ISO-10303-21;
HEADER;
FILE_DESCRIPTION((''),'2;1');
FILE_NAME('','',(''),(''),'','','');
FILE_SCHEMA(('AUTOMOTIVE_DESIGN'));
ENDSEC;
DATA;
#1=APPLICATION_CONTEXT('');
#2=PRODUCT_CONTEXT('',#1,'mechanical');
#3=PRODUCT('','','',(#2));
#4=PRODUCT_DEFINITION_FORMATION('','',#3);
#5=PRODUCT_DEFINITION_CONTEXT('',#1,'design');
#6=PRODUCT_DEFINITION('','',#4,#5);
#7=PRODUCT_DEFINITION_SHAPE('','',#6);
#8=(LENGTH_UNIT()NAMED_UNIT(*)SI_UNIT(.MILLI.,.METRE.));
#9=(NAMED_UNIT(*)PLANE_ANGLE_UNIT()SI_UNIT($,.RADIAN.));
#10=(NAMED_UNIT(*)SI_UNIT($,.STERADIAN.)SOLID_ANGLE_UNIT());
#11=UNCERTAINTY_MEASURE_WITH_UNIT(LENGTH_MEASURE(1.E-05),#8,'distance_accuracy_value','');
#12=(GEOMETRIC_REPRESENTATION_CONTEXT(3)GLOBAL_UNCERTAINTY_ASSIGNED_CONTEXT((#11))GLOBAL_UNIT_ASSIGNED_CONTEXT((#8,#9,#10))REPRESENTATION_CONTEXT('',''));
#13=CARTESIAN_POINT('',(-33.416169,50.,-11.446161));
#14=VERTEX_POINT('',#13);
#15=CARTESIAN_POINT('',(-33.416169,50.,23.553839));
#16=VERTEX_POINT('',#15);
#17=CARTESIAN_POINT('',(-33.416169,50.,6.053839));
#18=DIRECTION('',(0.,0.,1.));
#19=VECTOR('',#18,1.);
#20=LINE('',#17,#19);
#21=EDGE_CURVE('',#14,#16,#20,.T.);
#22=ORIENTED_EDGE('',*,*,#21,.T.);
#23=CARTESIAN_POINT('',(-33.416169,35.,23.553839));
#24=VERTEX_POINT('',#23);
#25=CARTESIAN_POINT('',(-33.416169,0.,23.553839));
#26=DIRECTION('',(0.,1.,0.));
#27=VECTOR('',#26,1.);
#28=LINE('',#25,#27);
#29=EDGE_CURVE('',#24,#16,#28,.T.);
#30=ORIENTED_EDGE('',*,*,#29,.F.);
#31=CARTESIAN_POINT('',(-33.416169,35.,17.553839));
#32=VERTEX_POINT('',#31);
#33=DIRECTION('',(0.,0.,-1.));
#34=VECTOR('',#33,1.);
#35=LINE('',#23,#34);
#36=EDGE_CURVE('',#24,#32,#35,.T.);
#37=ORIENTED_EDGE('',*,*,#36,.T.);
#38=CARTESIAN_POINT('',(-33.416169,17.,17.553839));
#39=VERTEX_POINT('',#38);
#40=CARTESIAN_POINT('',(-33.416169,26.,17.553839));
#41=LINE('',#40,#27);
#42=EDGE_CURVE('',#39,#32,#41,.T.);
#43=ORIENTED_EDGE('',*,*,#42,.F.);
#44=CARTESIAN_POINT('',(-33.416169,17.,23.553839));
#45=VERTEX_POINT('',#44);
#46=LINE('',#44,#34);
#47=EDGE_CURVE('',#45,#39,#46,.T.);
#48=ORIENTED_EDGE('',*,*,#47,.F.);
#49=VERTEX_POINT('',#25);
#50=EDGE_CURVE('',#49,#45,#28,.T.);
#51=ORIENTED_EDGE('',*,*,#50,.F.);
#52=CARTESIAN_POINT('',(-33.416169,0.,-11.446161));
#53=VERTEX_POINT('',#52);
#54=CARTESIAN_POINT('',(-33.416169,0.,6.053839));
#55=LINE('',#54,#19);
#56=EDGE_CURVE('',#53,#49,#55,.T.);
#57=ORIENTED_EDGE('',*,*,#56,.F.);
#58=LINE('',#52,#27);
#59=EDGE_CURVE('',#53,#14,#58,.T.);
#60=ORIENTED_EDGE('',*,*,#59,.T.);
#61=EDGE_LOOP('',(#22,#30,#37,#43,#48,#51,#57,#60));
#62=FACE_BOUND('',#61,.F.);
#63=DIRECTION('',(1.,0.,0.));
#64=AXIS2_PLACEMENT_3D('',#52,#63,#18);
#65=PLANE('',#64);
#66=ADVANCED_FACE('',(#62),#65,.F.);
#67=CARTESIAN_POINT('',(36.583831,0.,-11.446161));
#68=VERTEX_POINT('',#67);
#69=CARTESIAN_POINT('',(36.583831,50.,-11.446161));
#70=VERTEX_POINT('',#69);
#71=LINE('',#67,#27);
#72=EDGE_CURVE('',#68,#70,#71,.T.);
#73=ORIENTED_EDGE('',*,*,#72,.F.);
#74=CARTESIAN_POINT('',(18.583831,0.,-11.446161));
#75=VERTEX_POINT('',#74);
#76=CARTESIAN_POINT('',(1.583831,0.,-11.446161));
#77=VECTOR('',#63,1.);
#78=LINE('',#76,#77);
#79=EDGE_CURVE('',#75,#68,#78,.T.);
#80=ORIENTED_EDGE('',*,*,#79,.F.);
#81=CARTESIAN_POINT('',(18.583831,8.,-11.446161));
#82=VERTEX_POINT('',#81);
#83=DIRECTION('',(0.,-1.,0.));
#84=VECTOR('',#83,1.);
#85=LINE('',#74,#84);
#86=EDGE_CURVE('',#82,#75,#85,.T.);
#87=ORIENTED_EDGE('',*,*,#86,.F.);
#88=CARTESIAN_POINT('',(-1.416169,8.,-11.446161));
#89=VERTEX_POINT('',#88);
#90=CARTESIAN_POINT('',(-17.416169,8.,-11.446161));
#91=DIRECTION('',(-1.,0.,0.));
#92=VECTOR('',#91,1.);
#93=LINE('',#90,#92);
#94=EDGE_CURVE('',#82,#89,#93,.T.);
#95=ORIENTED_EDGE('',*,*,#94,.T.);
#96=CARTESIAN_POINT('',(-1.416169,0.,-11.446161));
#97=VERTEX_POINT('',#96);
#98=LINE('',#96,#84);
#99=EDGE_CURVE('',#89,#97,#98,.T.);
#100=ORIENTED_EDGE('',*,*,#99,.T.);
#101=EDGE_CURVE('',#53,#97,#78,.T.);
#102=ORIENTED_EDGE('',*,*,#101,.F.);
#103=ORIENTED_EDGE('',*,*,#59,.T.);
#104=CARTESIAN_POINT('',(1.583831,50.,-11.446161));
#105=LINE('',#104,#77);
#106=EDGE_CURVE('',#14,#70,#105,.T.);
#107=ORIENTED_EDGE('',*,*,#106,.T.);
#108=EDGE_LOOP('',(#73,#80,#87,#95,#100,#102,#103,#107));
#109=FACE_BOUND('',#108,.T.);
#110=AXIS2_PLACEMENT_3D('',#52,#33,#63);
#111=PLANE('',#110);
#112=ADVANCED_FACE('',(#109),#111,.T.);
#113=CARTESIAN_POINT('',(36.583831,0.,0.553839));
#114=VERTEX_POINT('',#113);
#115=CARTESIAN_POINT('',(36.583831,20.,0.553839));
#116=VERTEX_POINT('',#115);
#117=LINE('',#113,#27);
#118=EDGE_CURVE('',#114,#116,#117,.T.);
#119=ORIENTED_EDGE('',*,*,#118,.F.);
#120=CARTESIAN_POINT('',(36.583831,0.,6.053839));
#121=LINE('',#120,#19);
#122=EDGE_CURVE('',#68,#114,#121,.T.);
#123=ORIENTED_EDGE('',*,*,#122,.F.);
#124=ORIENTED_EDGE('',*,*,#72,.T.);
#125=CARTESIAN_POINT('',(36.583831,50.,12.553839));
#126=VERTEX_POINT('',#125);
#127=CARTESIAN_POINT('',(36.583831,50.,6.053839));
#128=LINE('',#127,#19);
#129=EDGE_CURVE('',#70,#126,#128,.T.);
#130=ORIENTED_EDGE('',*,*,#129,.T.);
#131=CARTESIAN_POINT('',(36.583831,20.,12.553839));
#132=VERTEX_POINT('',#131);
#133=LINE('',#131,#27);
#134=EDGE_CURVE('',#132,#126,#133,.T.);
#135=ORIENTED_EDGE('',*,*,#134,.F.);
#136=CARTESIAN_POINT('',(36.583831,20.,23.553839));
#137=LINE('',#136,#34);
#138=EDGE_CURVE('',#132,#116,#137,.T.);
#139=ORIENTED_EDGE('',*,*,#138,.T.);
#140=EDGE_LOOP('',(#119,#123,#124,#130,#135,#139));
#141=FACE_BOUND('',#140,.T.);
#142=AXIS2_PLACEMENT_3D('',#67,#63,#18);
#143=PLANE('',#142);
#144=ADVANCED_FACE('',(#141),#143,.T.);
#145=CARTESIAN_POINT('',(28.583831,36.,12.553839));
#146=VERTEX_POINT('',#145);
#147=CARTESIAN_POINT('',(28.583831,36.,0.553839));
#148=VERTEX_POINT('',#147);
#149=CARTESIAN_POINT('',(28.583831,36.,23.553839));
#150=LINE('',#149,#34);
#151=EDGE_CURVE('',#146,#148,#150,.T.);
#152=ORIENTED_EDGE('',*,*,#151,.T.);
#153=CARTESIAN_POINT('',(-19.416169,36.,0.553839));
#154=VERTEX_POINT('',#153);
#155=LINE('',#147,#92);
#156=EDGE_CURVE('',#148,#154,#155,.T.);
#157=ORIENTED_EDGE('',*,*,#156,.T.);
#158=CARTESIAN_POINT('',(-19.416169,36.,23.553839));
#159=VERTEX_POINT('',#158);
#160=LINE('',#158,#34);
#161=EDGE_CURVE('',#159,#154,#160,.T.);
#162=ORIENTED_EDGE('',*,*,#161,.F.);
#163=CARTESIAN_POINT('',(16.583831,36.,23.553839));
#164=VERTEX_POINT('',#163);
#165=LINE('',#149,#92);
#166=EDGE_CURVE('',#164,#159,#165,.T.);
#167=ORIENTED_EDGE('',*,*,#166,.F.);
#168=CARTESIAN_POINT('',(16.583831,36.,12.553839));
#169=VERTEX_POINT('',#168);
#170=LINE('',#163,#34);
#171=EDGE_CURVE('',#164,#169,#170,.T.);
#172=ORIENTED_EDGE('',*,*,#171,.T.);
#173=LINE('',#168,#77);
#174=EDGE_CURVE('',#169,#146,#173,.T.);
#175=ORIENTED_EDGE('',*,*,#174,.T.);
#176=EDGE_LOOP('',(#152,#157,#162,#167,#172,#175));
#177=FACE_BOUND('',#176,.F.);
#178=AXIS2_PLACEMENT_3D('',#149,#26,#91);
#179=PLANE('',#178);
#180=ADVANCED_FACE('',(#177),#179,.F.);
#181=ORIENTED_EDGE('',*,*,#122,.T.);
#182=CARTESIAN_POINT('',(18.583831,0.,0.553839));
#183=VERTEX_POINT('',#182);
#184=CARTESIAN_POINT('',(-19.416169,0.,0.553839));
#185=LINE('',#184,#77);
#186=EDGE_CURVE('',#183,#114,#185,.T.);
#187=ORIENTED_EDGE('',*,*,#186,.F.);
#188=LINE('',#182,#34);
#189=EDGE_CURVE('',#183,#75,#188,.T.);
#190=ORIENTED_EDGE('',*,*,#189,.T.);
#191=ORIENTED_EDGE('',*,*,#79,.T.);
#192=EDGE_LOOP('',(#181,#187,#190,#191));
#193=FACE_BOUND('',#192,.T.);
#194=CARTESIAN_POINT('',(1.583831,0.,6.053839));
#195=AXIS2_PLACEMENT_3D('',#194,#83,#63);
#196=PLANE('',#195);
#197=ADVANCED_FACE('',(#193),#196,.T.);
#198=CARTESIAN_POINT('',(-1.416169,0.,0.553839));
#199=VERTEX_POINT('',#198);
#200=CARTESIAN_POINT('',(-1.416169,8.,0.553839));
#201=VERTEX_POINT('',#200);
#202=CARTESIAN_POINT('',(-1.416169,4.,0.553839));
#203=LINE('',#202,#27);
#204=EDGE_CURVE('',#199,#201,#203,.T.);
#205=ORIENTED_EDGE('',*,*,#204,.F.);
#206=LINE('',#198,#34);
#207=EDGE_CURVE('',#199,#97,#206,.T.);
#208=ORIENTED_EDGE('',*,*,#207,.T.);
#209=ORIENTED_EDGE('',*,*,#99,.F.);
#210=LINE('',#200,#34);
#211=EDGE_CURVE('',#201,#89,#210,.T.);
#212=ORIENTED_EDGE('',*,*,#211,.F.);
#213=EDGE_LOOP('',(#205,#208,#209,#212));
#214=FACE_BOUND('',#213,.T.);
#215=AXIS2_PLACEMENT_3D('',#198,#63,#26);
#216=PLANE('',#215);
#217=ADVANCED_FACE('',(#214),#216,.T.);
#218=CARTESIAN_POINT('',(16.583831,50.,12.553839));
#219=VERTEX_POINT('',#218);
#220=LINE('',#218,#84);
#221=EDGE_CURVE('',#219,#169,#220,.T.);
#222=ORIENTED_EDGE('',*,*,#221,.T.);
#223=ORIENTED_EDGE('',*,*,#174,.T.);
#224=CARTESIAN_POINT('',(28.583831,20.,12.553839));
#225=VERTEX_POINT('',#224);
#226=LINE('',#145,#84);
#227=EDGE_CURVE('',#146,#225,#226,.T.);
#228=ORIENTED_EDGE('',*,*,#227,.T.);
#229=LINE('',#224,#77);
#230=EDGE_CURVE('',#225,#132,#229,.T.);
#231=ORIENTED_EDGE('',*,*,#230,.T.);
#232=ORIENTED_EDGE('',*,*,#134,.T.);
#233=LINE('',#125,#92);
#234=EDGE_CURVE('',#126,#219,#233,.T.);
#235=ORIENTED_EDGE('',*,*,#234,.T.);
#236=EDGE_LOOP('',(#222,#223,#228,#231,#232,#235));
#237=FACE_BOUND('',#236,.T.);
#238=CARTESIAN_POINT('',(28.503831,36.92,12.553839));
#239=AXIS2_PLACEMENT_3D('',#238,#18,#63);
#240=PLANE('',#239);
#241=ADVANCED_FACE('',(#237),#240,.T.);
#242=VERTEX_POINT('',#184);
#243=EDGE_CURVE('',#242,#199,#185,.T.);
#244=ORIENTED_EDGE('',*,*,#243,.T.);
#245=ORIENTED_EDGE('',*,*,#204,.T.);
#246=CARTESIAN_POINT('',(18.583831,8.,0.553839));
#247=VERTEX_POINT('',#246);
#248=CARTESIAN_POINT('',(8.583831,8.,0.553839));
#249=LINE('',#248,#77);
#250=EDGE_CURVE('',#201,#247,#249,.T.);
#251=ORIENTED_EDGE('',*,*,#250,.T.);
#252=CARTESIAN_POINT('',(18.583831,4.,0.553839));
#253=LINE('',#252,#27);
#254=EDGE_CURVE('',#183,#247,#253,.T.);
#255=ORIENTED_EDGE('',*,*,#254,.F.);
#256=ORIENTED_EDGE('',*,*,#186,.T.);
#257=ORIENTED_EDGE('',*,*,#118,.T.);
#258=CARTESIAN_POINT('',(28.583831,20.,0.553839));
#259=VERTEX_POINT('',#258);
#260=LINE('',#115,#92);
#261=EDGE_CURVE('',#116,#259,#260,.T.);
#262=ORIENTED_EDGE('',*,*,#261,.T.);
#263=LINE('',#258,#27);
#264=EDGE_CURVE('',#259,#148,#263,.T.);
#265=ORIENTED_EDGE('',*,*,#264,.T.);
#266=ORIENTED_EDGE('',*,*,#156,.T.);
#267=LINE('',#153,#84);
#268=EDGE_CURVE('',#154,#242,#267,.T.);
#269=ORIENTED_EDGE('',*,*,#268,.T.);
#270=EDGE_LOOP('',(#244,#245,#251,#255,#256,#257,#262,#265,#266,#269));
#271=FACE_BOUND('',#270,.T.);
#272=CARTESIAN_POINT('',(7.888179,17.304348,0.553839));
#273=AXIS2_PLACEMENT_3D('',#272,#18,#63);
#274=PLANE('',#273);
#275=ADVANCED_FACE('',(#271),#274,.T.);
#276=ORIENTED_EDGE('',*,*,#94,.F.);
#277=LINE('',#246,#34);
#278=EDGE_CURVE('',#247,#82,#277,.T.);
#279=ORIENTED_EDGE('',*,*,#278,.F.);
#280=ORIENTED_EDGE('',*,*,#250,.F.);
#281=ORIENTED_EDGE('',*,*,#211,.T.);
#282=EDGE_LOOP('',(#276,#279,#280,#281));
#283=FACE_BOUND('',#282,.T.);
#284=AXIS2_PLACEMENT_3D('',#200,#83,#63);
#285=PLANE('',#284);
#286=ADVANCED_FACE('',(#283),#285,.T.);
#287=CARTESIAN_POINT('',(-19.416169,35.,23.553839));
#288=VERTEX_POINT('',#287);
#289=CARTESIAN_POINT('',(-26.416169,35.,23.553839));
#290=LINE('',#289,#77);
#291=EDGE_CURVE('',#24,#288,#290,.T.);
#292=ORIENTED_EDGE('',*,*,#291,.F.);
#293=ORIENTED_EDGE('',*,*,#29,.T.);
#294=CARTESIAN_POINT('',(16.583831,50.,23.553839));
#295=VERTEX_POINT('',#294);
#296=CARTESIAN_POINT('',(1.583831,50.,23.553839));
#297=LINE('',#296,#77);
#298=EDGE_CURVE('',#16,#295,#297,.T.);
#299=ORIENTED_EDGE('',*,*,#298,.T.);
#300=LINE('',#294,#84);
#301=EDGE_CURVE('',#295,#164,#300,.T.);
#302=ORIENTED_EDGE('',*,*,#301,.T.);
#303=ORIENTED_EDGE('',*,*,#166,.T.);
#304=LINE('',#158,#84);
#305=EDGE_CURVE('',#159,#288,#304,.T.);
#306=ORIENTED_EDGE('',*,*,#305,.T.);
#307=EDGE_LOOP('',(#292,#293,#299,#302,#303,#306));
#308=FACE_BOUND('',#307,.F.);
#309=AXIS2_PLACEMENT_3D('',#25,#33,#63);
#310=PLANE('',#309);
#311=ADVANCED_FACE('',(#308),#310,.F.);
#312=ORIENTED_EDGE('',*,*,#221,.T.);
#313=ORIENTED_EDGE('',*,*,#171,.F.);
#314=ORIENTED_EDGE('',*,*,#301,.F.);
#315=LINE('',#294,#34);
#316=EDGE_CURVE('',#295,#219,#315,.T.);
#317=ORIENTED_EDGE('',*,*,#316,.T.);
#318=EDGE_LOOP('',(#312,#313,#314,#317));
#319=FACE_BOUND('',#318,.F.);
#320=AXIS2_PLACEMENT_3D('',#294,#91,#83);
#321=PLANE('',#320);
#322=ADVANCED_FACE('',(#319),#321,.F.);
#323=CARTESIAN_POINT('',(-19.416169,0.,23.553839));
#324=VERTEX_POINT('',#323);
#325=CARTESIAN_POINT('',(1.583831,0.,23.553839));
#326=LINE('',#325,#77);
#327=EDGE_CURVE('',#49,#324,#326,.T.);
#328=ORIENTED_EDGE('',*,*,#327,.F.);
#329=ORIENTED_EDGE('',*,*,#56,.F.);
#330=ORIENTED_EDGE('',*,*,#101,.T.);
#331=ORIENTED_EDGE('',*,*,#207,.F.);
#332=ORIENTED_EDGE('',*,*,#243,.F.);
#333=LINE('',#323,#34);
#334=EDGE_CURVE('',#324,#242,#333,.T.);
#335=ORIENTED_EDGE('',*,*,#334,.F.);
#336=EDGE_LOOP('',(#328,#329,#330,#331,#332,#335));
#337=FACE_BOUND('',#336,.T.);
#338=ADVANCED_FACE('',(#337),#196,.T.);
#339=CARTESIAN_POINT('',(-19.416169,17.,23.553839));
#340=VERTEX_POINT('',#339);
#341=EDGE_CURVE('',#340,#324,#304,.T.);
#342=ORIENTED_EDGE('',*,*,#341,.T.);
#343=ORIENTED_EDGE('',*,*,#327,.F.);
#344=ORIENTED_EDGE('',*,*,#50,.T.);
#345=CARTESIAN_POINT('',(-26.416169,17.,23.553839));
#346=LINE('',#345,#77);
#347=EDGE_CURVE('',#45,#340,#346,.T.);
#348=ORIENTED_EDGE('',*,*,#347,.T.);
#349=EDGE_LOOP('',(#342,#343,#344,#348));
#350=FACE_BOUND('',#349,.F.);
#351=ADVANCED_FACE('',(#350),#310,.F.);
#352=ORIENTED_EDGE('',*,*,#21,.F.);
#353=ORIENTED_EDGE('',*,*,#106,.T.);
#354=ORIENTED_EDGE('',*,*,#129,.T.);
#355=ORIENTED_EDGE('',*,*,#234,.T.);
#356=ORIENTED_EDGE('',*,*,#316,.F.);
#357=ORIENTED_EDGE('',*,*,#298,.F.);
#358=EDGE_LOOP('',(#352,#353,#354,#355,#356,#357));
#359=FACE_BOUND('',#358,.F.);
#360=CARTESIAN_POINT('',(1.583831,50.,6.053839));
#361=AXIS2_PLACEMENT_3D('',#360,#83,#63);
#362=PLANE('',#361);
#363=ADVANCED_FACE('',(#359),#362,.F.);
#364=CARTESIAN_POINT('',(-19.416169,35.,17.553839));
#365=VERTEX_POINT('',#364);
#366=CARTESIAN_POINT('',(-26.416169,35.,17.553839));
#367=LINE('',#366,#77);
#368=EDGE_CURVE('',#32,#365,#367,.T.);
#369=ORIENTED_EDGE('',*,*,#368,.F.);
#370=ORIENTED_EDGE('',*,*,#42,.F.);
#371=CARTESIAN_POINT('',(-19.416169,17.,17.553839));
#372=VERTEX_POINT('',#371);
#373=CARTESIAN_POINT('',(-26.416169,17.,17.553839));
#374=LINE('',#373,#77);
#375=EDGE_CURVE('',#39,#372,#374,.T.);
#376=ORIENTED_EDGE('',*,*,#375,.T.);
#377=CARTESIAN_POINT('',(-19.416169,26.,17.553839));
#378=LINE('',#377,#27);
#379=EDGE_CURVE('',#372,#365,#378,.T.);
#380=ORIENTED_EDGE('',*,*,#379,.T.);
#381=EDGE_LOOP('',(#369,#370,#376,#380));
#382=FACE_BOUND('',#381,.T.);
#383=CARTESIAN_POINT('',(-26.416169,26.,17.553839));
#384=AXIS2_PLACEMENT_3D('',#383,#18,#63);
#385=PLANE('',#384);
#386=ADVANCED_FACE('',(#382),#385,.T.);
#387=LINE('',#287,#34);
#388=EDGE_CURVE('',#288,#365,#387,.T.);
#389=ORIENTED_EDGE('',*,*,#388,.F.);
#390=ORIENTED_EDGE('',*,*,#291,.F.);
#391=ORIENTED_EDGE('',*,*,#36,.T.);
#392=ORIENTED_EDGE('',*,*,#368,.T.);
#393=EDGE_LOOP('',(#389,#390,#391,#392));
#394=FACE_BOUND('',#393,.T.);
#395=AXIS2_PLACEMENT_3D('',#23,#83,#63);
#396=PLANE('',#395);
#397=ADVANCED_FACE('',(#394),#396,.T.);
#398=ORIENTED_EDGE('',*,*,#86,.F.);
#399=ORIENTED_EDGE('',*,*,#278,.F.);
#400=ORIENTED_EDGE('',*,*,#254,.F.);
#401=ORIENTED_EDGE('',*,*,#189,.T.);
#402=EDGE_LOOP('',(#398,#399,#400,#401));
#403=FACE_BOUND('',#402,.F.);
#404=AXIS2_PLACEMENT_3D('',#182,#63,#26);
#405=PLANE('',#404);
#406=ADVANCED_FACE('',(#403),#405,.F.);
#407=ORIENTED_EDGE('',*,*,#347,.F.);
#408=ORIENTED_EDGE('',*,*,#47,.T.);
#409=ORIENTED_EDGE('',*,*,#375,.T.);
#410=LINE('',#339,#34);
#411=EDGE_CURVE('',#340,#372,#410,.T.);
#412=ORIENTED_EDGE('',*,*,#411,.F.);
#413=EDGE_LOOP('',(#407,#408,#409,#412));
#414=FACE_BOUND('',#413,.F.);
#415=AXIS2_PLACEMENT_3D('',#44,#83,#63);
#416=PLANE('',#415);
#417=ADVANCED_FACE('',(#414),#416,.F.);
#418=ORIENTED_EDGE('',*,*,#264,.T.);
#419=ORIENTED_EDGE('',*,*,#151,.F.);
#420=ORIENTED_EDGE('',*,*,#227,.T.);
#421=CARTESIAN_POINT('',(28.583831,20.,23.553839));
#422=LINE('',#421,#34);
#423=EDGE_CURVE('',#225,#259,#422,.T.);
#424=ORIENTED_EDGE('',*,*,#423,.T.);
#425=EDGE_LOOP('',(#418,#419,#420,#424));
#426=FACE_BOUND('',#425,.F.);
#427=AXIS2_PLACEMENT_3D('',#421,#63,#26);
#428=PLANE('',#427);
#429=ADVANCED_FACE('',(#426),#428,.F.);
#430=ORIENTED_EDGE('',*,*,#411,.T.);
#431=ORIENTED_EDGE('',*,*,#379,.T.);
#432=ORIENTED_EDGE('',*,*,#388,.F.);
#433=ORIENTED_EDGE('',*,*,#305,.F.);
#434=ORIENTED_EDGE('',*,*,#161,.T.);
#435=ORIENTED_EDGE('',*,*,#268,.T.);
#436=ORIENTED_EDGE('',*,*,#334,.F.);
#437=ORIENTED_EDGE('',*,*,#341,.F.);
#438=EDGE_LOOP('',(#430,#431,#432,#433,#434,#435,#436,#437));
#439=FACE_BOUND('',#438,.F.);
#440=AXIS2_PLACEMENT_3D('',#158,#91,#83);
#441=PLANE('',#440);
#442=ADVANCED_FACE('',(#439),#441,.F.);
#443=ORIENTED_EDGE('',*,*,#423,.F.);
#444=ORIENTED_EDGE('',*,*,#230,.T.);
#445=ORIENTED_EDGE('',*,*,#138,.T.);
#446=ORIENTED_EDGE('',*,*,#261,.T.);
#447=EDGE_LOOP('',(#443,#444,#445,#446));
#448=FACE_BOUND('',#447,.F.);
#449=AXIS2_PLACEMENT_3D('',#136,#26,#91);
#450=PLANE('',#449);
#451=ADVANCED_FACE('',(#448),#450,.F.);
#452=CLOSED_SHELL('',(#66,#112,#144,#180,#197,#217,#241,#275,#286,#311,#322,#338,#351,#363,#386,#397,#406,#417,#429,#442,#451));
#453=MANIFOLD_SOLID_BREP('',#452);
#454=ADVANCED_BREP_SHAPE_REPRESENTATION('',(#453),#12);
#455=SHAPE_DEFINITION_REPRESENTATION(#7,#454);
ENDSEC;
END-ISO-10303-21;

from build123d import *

# Parameters (mm, degrees)
F0_W     = 70
F0_H     = 35
F1_DEPTH = 50
F3_DEPTH = 23
F5_DEPTH = 11
F6_W     = 14
F6_H     = 18
F7_DEPTH = 6
F8_W     = 20
F8_H     = 8
F9_DEPTH = 25


with BuildPart() as f1:
    # F0 (on Front) → F1 (new body)
    with BuildSketch(Plane.XZ):
        with Locations((1.583831, 6.053839)):
            Rectangle(F0_W, F0_H)
    extrude(amount=-F1_DEPTH)

    # F2 (on face) → F3 (cut)
    with BuildSketch(Plane.XY.offset(23.553839)):
        Polygon((-19.416169, 0), (36.583831, 0), (36.583831, 20), (28.583831, 20), (28.583831, 36), (-19.416169, 36), align=None)
    extrude(amount=-F3_DEPTH, mode=Mode.SUBTRACT)

    # F4 (on face) → F5 (cut)
    with BuildSketch(Plane.XY.offset(23.553839)):
        Polygon((16.583831, 36), (28.583831, 36), (28.583831, 20), (36.583831, 20), (36.583831, 50), (16.583831, 50), align=None)
    extrude(amount=-F5_DEPTH, mode=Mode.SUBTRACT)

    # F6 (on face) → F7 (cut)
    with BuildSketch(Plane.XY.offset(23.553839)):
        with Locations((-26.416169, 26)):
            Rectangle(F6_W, F6_H)
    extrude(amount=-F7_DEPTH, mode=Mode.SUBTRACT)

    # F8 (on face) → F9 (cut)
    with BuildSketch(Plane.XY.offset(0.553839)):
        with Locations((8.583831, 4)):
            Rectangle(F8_W, F8_H)
    extrude(amount=-F9_DEPTH, mode=Mode.SUBTRACT)


solid = f1.part
